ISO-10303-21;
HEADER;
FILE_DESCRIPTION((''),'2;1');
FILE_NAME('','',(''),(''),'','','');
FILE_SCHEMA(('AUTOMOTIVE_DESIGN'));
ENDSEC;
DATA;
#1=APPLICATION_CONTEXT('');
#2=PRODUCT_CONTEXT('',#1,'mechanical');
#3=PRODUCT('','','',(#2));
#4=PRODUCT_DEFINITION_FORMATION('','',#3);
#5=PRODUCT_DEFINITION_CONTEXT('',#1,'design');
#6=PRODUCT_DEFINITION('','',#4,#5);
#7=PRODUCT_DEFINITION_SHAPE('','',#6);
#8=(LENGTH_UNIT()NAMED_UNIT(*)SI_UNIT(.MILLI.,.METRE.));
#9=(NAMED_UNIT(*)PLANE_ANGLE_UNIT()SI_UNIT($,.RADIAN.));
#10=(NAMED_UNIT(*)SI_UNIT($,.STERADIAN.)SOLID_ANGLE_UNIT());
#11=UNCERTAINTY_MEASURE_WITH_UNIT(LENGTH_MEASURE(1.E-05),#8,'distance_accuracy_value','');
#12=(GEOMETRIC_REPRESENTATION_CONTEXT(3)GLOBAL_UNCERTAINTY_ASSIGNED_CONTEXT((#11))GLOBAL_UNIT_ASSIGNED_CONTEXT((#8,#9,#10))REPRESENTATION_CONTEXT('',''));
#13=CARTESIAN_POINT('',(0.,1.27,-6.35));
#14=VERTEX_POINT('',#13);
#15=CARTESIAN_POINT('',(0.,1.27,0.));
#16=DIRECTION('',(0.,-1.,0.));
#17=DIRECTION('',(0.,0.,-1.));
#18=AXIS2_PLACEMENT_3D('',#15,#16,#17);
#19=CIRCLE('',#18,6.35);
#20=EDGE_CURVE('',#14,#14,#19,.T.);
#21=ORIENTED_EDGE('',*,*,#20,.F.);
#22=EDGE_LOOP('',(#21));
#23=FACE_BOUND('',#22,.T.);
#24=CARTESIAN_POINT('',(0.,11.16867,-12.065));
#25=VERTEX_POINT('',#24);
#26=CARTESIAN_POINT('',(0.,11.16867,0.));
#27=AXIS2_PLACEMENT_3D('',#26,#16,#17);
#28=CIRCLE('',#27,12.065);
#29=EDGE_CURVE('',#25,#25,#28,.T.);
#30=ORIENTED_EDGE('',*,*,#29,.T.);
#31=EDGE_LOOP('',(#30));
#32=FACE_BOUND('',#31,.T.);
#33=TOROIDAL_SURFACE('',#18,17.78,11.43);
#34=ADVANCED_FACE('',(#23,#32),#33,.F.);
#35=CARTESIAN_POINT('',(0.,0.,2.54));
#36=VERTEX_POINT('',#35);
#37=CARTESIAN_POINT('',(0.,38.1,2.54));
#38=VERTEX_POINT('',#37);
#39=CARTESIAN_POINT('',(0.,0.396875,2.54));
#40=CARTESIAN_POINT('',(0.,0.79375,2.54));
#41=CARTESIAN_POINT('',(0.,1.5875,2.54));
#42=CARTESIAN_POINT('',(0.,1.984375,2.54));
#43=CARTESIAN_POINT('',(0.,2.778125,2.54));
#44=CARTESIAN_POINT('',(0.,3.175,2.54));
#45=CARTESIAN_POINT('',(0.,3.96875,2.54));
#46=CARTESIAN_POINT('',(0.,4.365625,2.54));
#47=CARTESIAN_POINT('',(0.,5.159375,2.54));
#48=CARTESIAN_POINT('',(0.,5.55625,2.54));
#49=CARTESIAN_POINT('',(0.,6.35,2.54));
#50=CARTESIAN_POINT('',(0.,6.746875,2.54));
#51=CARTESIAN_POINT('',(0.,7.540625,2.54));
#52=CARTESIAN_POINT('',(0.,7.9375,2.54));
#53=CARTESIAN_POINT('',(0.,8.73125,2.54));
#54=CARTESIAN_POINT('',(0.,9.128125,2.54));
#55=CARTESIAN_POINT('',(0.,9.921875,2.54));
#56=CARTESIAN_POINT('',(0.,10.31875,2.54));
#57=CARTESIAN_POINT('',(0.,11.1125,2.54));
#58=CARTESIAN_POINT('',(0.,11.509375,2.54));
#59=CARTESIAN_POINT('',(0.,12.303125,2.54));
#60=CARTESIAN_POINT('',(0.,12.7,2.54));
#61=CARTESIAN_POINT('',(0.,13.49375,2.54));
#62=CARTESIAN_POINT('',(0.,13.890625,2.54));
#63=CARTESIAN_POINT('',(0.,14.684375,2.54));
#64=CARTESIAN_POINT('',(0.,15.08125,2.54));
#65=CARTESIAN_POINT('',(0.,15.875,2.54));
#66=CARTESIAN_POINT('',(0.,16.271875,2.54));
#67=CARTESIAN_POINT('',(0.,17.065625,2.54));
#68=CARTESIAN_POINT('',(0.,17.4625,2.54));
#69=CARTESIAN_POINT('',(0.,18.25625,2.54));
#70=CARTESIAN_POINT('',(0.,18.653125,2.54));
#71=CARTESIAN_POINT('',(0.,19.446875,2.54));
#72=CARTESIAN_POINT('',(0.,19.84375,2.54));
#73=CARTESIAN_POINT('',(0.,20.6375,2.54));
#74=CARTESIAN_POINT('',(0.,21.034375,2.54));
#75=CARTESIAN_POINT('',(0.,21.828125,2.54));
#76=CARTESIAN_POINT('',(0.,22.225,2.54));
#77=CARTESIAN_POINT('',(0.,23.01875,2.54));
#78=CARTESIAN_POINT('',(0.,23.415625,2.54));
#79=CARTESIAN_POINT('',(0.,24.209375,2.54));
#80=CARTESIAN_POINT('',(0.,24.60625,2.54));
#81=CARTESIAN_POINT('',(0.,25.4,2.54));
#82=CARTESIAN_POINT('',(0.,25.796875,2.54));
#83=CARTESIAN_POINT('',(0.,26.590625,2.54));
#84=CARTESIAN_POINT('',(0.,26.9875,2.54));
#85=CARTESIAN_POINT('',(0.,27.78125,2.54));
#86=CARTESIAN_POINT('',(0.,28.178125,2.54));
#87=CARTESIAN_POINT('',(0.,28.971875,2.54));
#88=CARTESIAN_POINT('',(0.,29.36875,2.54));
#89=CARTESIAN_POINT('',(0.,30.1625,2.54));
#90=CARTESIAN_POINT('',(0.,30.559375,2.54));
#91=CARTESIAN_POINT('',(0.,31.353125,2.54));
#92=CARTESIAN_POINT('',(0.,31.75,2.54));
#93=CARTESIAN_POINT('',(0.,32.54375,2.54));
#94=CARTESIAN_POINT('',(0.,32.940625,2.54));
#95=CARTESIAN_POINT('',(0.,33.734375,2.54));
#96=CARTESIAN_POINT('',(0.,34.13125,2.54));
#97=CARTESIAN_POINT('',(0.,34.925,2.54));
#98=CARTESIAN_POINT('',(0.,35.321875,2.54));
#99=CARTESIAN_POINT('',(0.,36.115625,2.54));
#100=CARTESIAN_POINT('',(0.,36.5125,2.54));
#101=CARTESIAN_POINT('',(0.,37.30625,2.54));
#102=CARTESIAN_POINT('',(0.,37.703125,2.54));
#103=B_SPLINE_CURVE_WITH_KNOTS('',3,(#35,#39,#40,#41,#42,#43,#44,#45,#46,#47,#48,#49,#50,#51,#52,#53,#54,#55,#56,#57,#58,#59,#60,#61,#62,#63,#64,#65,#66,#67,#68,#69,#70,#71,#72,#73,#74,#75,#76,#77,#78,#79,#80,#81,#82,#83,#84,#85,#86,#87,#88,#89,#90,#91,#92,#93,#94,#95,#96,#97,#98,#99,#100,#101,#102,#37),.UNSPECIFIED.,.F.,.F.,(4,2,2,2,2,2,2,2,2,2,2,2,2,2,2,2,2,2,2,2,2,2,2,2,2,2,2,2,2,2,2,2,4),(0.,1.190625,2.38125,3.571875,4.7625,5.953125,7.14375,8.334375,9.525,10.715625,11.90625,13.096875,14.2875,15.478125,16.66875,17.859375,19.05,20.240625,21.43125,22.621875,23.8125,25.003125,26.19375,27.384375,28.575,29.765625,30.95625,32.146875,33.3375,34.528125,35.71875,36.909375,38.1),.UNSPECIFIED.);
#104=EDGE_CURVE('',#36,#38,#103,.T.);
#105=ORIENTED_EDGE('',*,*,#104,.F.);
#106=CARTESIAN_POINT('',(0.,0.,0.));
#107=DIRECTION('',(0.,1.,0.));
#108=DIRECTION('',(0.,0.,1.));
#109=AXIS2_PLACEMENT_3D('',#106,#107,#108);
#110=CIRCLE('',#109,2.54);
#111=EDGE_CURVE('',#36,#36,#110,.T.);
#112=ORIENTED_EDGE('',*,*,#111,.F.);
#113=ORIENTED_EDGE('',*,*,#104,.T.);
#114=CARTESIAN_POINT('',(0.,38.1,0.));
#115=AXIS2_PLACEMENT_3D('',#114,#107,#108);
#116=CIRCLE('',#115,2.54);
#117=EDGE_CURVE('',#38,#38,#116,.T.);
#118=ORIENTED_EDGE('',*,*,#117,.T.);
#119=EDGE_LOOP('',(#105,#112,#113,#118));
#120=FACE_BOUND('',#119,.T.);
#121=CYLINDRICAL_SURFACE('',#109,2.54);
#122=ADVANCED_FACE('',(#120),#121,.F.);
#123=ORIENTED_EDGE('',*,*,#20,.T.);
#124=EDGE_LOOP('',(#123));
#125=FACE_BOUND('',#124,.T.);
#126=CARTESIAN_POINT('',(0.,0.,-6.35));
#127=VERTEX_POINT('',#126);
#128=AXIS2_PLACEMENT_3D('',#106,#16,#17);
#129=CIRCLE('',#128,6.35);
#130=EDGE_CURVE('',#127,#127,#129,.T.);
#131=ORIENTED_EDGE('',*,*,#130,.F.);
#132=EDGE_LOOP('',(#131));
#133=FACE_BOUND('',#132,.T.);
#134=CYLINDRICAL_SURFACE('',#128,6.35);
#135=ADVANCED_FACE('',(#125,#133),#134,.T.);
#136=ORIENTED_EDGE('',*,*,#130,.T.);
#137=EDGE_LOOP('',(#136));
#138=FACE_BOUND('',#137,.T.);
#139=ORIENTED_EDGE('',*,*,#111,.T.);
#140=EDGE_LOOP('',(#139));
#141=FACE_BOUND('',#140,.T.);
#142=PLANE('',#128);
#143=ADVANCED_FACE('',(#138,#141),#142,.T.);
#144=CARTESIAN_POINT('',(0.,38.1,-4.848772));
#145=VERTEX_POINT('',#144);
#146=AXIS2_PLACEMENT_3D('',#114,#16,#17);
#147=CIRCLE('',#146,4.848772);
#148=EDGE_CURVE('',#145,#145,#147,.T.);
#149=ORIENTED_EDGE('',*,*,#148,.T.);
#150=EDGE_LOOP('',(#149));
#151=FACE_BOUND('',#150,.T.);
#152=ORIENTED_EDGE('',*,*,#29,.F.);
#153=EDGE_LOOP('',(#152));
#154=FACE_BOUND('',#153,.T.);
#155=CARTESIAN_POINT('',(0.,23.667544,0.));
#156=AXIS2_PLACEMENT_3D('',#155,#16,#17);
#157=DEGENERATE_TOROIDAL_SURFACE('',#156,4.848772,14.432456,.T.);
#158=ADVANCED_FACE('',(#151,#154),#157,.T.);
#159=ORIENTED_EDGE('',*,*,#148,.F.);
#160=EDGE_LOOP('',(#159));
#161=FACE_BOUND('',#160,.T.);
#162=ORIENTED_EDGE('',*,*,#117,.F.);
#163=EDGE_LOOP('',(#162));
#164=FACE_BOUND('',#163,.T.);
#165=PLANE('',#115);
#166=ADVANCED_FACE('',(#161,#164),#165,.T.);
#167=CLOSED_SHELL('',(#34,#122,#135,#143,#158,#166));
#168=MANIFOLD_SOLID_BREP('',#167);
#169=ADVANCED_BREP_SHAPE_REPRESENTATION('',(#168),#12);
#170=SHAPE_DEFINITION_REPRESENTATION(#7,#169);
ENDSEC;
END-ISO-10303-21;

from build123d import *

# Parameters (mm, degrees)
SKETCH2_R          = 2.54
CUT_EXTRUDE1_DEPTH = 47.852337361


with BuildPart() as part:
    # Sketch1 → Revolve1 (revolve)
    with BuildSketch(Plane.XY, mode=Mode.PRIVATE) as revolve1_sk:
        with BuildLine():
            Line((0, 0), (6.35, 0))
            Line((6.35, 0), (6.35, 1.27))
            ThreePointArc((6.35, 1.27), (7.881329635, 6.985), (12.065, 11.168670365))
            ThreePointArc((12.065, 11.168670365), (18.789454012, 27.402938441), (4.848771973, 38.1))
            Line((4.848771973, 38.1), (0, 38.1))
            Line((0, 38.1), (0, 0))
        make_face()
    revolve(revolve1_sk.sketch.rotate(Axis((0, 0, 0), (0, 1, 0)), 90), axis=Axis((0, 0, 0), (0, 1, 0)))

    # Sketch2 → Cut-Extrude1 (cut, through all)
    with BuildSketch(Plane(origin=(0, 38.1, 0), x_dir=(1, 0, 0), z_dir=(0, 1, 0))):
        with Locations(Location((0, 0, 0), (0, 0, 270))):
            Circle(SKETCH2_R)
    extrude(amount=-CUT_EXTRUDE1_DEPTH, mode=Mode.SUBTRACT)


solid = part.part
